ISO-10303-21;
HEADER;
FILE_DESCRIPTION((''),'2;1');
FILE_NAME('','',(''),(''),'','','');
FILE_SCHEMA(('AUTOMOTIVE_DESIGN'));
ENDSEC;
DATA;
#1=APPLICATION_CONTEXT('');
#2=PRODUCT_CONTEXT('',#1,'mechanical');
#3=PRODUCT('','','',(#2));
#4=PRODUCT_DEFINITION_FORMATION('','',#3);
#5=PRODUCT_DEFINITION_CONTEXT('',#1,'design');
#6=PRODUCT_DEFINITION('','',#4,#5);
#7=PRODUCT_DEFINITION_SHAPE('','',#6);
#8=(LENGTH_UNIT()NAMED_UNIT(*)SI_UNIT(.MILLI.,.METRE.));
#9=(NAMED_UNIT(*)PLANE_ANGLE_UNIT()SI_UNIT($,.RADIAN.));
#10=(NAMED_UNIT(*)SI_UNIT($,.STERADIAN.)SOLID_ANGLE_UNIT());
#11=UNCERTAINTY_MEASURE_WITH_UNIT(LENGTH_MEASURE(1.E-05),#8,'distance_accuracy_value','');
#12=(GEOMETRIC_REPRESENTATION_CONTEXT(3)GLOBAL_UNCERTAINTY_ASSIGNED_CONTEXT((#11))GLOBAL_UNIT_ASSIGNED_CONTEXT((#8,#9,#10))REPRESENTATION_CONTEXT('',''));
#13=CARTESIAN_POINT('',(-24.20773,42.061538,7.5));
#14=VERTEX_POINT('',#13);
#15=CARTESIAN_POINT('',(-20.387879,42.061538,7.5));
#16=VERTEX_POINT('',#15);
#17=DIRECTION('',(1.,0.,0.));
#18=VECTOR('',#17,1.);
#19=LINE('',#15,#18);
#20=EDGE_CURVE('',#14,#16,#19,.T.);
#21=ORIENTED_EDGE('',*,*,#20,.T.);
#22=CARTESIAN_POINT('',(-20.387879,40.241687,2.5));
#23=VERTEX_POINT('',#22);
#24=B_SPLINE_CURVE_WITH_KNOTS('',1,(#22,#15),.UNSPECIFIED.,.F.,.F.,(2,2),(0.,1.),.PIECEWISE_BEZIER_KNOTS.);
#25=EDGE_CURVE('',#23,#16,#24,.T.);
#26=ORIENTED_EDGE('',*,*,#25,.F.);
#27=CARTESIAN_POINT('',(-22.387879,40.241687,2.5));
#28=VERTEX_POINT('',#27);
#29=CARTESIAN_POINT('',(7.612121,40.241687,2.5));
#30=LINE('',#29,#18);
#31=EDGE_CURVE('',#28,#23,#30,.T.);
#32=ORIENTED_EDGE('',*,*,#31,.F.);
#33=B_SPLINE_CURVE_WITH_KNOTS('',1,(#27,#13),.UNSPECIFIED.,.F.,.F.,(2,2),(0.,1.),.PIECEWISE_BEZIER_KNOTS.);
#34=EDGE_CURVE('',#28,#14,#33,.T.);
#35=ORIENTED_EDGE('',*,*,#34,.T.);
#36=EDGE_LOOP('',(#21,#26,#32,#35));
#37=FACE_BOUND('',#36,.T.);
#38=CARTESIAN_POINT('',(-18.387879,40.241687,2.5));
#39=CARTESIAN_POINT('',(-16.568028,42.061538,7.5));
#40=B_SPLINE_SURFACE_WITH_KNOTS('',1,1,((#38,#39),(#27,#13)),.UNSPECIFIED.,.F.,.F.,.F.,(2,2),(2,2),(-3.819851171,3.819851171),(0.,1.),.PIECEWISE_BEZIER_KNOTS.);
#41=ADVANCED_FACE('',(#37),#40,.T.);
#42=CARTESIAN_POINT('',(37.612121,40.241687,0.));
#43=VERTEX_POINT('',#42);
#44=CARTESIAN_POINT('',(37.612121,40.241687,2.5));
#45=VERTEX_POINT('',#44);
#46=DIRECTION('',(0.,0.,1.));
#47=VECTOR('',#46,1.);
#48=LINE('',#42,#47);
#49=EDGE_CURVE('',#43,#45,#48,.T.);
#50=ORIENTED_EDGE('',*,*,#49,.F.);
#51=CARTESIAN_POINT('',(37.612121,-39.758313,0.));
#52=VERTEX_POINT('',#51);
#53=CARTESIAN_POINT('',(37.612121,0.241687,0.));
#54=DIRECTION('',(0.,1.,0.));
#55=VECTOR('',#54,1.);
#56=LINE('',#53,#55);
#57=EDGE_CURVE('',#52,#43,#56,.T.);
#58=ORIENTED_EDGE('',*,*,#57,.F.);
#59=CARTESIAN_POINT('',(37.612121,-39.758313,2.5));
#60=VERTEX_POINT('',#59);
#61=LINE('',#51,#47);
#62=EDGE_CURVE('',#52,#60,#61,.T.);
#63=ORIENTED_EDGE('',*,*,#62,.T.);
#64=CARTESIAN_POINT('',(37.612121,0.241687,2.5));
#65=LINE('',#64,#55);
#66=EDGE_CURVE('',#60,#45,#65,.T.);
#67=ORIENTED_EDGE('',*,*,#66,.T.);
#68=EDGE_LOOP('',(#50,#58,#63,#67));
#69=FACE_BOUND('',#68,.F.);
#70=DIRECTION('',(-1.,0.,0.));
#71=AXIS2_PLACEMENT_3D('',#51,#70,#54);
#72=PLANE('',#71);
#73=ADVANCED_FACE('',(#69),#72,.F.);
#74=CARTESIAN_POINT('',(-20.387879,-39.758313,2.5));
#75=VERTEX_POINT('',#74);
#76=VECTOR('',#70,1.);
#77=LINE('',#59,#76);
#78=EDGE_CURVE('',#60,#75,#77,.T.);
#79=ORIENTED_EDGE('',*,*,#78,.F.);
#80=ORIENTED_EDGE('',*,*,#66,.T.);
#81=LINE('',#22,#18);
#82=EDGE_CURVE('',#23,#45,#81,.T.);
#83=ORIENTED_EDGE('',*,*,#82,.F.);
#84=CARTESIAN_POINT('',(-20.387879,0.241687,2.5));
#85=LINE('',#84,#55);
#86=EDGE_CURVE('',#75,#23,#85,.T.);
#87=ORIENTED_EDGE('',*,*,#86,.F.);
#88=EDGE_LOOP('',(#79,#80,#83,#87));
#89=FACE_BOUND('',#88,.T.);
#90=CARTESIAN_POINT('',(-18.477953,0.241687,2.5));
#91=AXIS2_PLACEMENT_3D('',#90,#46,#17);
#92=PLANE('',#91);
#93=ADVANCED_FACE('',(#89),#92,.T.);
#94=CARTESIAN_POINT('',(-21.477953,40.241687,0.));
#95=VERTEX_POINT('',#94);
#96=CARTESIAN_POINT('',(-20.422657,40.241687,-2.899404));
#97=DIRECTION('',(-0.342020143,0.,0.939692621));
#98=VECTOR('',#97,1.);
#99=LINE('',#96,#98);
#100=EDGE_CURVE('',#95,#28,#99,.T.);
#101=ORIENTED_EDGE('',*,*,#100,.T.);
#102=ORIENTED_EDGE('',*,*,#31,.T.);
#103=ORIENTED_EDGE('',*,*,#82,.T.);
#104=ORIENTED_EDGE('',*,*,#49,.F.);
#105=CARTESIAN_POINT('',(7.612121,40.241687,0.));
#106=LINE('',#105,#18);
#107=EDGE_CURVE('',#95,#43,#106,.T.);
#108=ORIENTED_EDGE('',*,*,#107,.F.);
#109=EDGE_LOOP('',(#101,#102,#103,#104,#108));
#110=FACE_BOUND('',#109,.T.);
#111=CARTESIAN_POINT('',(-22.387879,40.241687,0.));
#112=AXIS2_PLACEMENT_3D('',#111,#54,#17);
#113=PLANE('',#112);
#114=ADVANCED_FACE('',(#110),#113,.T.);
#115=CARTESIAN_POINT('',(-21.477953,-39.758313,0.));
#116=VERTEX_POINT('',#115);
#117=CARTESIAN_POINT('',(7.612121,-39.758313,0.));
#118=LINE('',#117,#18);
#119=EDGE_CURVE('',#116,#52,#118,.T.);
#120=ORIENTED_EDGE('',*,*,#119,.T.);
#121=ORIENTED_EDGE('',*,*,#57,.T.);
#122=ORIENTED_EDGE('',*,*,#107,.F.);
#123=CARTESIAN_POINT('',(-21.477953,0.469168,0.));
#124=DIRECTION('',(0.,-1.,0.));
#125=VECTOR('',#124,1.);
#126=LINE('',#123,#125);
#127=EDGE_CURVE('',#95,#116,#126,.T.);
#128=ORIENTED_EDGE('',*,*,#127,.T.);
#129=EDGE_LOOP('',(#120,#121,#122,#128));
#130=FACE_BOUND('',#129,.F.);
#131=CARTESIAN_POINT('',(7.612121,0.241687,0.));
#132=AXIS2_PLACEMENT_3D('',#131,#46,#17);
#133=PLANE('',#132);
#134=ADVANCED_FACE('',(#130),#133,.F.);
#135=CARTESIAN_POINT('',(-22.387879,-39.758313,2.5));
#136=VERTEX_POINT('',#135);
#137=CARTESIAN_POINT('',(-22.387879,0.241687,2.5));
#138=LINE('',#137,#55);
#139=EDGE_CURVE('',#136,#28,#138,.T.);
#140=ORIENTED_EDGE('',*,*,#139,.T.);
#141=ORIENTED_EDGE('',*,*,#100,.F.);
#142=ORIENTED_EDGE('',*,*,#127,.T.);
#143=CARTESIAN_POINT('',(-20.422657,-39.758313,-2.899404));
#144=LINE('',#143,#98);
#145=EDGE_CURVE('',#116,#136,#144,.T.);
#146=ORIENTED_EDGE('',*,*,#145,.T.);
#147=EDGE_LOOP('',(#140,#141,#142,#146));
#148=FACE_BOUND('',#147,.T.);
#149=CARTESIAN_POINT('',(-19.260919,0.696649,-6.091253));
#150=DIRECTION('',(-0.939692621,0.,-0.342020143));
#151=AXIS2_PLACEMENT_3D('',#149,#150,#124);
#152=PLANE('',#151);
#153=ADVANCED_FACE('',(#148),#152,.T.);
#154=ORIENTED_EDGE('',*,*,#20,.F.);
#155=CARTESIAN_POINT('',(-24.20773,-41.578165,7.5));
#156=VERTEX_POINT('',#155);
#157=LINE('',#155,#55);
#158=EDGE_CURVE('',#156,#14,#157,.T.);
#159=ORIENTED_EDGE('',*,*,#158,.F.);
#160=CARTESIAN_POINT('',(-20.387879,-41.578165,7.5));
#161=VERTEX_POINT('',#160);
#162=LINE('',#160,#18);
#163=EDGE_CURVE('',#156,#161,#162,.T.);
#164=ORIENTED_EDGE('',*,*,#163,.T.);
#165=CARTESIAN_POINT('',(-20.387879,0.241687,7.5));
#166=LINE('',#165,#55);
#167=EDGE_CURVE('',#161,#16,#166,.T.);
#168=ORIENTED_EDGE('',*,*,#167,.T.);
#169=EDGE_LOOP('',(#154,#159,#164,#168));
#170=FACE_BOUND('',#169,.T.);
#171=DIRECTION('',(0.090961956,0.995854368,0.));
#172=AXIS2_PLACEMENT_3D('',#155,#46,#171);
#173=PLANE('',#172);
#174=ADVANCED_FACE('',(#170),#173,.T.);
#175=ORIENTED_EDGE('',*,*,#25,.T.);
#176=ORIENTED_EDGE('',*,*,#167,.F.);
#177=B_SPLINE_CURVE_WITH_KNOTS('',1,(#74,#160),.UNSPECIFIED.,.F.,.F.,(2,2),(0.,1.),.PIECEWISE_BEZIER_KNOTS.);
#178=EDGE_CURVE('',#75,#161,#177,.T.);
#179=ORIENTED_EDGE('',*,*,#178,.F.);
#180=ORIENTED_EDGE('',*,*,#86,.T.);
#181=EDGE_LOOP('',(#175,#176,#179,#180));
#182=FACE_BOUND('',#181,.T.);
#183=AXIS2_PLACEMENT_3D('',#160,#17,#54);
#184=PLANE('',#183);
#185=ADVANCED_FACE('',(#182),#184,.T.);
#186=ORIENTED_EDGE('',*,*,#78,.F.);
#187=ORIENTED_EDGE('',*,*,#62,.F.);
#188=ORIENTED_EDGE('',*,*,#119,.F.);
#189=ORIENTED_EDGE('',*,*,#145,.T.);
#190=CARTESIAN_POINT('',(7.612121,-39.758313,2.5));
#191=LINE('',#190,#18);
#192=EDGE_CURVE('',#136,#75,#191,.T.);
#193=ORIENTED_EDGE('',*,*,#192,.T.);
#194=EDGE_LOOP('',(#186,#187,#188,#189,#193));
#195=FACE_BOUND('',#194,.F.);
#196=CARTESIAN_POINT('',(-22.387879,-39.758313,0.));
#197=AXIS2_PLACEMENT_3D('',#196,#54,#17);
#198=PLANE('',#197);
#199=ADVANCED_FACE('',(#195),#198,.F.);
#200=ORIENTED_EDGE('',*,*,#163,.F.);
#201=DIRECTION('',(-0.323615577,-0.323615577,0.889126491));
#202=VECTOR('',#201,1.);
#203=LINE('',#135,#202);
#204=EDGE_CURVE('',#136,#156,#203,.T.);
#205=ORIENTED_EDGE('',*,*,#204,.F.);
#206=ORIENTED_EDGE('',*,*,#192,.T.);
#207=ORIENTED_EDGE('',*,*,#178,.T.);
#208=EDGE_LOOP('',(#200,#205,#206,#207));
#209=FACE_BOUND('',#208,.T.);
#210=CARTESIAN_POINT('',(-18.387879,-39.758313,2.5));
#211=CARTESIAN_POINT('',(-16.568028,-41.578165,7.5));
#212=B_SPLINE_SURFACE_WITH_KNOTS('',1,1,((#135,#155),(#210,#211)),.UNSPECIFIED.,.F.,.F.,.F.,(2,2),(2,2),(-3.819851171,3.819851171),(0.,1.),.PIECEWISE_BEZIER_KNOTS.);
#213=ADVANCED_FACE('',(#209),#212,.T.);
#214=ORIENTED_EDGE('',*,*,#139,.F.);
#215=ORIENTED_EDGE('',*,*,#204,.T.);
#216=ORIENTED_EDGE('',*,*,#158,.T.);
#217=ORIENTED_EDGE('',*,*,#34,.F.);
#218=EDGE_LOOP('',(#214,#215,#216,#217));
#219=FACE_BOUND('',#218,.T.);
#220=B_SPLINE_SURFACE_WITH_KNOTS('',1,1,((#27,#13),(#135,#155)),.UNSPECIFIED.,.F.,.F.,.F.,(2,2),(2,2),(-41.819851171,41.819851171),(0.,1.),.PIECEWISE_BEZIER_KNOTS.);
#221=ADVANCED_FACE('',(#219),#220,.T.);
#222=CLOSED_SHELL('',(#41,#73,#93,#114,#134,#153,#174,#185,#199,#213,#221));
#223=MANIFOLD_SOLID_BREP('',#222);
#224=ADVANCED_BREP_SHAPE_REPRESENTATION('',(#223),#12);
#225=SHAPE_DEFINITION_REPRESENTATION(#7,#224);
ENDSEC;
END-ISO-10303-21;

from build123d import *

# Parameters (mm, degrees)
F0_W     = 60
F0_H     = 80
F1_DEPTH = 2.5
F2_W     = 4
F2_H     = 80
F3_DEPTH = 5
F3_TAPER = -20
F4_W     = 3.8198511713
F4_H     = 83.6397023427
F5_DEPTH = 5
F6_W     = 82.729776757
F6_H     = 28.9270184836
F7_DEPTH = 25


with BuildPart() as f1:
    # F0 (on Top) → F1 (new body)
    with BuildSketch(Plane.XY):
        with Locations((7.6121210307, 0.2416865528)):
            Rectangle(F0_W, F0_H)
    extrude(amount=F1_DEPTH)

    # F2 (on face) → F3 (join)
    with BuildSketch(Plane.XY.offset(2.5)):
        with Locations((-20.3878789693, 0.2416865528)):
            Rectangle(F2_W, F2_H)
    extrude(amount=F3_DEPTH, taper=F3_TAPER)

    # F4 (on face) → F5 (cut)
    with BuildSketch(Plane.XY.offset(7.5)):
        with Locations((-18.4779533836, 0.2416865528)):
            Rectangle(F4_W, F4_H)
    extrude(amount=-F5_DEPTH, mode=Mode.SUBTRACT)

    # F6 (on face) → F7 (cut)
    with BuildSketch(Plane(origin=(-18.9655101114, 0, -6.9028811582), x_dir=(0, -1, 0), z_dir=(-0.9396926208, 0, -0.3420201433))):
        with Locations((-0.6966493456, 0.8637167464)):
            Rectangle(F6_W, F6_H)
    extrude(amount=F7_DEPTH, mode=Mode.SUBTRACT)


solid = f1.part
